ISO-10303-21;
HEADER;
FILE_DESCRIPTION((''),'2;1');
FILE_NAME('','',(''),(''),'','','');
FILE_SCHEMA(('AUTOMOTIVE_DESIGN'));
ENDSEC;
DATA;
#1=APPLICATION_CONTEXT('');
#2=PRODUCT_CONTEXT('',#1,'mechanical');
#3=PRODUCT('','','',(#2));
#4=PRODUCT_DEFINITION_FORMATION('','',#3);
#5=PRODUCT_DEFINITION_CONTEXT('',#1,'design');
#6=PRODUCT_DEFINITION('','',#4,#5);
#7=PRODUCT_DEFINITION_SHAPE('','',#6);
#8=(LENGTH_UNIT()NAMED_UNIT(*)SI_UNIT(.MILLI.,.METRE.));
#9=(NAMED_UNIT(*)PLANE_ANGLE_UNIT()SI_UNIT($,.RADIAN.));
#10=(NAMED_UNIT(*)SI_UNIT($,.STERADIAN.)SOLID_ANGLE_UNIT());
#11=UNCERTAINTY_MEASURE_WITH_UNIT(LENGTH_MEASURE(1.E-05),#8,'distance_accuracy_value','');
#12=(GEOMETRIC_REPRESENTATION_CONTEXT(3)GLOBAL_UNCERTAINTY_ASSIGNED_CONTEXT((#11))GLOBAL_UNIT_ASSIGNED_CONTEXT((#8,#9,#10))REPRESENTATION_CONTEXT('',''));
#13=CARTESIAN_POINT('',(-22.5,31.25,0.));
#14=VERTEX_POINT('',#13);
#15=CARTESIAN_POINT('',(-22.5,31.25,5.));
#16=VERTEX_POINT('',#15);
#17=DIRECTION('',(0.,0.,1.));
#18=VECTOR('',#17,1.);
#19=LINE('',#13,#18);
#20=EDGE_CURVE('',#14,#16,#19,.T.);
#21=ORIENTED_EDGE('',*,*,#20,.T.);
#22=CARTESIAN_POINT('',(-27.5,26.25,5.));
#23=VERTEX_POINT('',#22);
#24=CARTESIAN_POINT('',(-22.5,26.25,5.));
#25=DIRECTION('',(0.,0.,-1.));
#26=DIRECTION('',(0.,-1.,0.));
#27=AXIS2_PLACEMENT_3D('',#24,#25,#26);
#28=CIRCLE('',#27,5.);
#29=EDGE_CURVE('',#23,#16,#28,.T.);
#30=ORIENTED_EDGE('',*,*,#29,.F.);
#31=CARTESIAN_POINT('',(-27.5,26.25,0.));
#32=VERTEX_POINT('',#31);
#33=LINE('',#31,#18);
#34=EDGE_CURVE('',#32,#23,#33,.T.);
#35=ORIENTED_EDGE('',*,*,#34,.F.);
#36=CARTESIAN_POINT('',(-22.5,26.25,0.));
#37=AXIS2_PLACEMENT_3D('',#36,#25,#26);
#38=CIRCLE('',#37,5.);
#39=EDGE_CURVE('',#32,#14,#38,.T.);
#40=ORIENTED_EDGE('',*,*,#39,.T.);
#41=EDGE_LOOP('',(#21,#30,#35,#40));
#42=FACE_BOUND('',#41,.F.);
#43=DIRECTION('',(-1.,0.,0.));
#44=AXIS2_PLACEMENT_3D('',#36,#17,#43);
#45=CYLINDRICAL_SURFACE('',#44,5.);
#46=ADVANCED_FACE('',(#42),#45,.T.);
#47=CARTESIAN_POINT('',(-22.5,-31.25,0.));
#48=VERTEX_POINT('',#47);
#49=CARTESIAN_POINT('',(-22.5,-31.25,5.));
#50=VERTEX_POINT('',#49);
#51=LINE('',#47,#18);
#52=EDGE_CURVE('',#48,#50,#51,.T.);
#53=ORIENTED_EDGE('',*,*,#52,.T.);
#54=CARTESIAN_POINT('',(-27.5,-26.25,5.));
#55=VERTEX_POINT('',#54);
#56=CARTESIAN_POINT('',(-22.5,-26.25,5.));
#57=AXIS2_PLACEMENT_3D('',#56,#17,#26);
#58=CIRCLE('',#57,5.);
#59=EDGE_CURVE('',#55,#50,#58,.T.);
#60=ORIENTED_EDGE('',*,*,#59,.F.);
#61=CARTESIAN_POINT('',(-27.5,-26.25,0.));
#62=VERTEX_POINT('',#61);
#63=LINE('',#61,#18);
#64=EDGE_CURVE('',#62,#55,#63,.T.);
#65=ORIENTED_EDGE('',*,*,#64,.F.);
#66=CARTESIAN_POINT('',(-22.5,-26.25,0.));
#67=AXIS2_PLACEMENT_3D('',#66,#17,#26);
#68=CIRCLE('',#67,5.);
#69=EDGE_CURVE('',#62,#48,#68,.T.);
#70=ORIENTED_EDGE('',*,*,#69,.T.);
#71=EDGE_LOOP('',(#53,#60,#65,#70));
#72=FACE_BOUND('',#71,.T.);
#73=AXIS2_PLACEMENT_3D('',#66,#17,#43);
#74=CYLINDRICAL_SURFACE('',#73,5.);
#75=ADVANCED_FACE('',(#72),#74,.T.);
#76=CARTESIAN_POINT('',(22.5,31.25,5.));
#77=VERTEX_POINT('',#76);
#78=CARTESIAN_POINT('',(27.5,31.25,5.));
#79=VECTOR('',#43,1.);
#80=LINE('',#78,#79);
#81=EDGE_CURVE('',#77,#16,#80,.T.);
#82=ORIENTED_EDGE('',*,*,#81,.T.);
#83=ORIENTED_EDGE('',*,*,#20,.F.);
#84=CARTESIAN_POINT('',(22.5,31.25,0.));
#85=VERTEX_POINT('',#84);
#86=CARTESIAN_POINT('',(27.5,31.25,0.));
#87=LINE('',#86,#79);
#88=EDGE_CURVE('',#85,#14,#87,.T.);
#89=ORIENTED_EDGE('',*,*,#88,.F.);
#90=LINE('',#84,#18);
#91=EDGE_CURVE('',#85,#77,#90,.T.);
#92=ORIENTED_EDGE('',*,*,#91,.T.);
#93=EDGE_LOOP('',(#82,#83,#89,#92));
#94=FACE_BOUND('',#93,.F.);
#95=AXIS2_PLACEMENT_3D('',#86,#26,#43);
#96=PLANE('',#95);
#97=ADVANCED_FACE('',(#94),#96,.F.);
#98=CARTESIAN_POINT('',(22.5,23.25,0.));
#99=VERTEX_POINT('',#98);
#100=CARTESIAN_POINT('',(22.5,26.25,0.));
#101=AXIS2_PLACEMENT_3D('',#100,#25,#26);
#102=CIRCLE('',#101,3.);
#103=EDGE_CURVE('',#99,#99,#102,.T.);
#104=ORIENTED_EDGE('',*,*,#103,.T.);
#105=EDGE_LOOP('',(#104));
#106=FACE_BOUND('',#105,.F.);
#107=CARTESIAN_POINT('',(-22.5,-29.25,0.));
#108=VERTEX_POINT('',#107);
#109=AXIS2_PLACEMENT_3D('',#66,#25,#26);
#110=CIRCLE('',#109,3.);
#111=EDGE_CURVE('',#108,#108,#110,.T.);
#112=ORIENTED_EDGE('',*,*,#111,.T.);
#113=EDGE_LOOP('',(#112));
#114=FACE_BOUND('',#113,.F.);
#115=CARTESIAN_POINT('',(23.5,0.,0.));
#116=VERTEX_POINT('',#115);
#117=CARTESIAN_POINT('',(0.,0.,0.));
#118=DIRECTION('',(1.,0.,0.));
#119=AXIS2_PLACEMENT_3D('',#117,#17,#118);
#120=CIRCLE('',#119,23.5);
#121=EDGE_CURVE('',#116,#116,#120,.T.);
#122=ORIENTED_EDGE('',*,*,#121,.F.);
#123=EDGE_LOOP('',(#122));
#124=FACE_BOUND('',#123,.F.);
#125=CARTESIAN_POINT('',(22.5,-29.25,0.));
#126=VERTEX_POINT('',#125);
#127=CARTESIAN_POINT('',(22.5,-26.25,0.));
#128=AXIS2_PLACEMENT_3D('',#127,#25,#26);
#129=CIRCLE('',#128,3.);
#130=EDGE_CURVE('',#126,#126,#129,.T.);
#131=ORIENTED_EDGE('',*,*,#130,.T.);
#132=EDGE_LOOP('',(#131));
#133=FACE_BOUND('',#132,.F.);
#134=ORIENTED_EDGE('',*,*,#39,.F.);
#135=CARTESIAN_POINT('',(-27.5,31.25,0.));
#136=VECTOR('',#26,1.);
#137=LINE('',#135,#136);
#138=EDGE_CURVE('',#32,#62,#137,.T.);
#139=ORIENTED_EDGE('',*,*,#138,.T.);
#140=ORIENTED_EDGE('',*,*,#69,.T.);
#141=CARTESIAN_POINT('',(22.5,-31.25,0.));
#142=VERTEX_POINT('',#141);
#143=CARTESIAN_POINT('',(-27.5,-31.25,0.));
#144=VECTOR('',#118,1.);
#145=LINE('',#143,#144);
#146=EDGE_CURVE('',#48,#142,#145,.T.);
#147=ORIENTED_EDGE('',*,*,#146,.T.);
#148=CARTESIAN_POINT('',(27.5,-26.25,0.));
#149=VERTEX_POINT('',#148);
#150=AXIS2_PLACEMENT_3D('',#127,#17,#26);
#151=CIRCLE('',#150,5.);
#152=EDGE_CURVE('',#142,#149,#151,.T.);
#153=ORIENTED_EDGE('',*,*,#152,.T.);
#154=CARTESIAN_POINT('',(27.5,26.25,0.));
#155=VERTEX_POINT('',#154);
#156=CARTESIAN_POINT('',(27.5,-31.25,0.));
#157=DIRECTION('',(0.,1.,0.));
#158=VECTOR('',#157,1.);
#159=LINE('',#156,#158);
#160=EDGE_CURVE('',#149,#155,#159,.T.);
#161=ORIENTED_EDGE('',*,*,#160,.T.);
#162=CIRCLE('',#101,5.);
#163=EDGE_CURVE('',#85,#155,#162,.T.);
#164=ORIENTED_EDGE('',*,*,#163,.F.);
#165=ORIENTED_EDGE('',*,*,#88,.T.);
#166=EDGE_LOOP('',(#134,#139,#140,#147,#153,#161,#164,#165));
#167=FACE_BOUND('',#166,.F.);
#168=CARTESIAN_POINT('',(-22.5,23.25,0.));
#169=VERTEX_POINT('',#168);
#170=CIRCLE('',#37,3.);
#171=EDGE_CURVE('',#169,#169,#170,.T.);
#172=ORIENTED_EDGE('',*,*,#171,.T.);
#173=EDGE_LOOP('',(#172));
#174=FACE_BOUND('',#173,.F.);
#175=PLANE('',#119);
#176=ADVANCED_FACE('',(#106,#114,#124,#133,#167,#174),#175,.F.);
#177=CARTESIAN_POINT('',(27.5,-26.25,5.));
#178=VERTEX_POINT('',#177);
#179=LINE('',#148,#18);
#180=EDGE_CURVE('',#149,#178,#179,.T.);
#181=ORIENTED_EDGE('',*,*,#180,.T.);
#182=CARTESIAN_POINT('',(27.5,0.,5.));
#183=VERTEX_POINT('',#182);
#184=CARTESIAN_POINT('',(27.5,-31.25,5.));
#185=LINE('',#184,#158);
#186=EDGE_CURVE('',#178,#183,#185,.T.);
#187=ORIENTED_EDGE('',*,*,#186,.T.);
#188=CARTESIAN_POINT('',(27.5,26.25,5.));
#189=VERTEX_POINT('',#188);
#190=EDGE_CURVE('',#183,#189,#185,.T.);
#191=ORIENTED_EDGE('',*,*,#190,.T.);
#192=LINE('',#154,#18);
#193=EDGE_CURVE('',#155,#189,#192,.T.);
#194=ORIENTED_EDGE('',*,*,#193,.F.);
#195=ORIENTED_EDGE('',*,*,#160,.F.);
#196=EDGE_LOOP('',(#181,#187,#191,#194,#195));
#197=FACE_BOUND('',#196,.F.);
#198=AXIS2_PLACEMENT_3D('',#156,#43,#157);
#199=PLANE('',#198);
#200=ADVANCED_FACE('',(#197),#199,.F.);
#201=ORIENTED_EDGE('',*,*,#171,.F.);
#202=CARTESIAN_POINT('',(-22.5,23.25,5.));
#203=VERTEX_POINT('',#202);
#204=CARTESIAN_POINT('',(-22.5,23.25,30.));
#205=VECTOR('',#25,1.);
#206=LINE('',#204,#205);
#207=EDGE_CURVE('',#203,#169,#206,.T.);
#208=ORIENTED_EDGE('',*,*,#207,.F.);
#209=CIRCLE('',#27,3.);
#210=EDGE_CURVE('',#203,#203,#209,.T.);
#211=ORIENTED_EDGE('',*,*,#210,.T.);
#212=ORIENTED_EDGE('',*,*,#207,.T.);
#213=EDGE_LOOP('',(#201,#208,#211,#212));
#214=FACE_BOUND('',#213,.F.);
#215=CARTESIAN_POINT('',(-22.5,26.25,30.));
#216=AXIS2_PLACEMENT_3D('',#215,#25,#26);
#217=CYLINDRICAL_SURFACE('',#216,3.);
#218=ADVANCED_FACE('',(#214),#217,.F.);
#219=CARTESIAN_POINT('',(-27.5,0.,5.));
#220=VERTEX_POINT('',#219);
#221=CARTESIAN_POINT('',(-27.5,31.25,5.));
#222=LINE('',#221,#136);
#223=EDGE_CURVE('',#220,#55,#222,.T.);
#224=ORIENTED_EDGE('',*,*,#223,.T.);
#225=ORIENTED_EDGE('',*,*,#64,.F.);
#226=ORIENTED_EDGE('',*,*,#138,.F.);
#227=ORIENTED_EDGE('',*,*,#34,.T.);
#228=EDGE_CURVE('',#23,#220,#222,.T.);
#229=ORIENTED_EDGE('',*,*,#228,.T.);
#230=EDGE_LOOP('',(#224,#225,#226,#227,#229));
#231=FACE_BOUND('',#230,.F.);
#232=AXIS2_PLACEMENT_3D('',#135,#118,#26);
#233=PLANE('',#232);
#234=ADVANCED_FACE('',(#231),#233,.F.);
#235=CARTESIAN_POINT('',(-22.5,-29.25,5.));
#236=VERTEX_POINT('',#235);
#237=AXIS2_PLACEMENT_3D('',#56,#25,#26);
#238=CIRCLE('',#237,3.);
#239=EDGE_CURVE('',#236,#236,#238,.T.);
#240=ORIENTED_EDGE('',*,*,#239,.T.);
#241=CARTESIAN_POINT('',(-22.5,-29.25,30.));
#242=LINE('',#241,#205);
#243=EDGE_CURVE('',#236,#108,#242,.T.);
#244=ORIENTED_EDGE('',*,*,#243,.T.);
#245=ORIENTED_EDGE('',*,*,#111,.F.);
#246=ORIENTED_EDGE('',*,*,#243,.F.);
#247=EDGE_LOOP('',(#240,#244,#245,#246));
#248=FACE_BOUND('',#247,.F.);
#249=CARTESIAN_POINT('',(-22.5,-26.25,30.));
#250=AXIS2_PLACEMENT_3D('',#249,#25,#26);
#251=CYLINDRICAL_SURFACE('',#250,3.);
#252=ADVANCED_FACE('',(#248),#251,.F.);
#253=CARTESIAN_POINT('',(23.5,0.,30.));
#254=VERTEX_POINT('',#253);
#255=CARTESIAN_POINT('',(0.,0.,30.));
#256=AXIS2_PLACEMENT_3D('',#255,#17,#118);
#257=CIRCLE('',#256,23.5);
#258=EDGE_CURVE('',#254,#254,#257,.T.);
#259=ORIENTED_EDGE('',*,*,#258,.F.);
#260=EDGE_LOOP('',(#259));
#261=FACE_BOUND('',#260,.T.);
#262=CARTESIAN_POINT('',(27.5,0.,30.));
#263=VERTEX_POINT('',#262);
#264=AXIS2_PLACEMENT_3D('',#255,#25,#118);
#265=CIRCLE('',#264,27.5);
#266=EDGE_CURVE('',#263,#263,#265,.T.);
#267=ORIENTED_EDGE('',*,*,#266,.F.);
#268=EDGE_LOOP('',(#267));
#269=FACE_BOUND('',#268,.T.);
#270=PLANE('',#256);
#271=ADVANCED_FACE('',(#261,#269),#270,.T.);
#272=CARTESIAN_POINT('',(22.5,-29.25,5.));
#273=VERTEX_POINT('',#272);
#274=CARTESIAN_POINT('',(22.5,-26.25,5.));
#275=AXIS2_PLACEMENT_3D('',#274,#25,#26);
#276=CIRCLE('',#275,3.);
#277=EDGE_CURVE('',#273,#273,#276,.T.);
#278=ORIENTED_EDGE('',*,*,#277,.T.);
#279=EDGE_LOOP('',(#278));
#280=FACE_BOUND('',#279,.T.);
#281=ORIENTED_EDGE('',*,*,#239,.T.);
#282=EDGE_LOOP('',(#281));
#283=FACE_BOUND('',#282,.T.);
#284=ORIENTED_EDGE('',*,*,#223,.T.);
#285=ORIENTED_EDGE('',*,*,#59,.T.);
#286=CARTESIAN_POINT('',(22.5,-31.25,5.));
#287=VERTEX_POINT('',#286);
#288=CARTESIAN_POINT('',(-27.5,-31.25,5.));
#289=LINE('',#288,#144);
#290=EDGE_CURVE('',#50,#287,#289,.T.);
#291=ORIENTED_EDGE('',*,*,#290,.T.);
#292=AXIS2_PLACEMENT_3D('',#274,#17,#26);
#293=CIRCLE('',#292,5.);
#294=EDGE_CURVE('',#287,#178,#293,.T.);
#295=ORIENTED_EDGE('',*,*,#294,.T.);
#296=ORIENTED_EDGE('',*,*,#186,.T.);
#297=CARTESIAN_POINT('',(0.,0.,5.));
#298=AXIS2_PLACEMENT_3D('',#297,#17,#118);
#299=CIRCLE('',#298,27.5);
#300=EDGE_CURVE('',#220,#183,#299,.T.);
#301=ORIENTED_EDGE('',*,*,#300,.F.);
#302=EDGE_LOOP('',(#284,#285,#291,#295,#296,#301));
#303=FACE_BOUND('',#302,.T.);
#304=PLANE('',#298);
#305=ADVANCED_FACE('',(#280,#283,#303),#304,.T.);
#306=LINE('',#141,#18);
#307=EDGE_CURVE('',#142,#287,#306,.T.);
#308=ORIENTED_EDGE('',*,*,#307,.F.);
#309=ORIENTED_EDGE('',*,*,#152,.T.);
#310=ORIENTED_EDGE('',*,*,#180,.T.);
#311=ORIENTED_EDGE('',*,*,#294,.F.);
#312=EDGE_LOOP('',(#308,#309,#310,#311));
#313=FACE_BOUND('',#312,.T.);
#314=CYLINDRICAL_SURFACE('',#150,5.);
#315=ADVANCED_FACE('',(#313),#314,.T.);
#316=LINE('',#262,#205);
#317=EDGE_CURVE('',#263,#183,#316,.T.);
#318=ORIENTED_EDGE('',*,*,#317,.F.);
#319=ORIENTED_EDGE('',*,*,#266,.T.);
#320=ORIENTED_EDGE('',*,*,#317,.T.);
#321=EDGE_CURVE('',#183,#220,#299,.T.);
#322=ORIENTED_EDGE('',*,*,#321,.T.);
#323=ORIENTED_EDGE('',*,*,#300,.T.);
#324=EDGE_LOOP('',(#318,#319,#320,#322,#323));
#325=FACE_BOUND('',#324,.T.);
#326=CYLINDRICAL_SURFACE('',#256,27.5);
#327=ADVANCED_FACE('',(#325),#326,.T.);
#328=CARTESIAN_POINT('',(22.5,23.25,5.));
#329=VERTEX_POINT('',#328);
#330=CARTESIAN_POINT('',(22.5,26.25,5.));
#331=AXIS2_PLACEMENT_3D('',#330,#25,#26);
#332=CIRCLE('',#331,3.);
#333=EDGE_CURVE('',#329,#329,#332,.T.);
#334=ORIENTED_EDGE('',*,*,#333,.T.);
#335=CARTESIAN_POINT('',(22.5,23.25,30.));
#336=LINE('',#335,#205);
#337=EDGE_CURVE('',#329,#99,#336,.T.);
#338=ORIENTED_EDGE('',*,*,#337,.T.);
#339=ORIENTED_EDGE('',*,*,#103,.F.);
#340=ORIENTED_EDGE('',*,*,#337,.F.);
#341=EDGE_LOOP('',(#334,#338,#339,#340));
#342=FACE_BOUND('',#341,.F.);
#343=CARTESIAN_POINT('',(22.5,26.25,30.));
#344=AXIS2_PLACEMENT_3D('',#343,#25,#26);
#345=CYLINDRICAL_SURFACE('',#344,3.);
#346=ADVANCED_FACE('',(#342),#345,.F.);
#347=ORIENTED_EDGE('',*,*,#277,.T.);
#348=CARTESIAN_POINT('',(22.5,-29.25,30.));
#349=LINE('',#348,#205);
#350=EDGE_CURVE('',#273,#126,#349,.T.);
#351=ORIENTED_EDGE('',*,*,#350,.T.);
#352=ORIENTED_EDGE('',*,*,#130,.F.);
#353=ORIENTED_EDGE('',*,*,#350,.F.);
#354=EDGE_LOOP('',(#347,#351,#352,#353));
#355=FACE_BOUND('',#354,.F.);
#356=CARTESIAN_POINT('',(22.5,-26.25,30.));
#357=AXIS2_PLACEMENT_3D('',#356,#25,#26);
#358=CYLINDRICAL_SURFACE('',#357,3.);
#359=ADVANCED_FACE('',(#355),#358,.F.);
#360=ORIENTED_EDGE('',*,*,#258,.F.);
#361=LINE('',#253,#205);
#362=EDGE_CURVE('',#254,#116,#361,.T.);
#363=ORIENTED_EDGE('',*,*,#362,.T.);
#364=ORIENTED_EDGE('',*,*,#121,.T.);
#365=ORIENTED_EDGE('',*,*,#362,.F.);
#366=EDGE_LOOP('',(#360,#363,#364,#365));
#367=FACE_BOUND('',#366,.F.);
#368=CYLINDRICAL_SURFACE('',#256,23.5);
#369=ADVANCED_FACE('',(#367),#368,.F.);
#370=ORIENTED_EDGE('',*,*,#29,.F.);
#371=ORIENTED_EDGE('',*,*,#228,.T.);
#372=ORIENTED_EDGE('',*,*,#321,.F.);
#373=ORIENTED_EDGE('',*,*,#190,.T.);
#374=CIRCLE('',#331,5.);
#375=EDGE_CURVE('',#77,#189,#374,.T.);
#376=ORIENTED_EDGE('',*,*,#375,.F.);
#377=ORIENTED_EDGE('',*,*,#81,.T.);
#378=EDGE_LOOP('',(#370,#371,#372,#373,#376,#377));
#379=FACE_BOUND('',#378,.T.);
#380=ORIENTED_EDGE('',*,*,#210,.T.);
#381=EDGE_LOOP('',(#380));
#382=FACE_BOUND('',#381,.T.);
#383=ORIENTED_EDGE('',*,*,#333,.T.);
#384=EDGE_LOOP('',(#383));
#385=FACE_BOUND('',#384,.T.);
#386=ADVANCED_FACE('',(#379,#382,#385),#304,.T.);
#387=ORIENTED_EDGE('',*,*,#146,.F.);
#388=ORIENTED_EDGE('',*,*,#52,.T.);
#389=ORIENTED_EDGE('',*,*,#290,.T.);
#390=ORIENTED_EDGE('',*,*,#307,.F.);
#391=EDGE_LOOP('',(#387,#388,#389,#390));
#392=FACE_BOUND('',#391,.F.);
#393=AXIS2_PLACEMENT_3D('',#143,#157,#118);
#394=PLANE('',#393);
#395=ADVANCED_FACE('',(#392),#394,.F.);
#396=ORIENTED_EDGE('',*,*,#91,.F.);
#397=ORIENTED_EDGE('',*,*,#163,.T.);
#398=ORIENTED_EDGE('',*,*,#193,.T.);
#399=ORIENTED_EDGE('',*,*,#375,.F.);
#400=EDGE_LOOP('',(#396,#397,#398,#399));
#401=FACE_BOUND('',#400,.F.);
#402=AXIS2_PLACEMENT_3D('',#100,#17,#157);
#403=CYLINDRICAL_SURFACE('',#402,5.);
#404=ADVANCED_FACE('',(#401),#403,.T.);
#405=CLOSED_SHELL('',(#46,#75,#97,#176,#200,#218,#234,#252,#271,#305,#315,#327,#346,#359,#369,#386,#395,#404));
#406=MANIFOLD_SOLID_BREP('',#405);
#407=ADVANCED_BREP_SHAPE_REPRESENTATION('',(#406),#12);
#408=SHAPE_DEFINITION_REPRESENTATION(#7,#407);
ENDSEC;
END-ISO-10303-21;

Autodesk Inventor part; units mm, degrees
ref_plane "YZ Plane" through (0, 0, 0) normal (1, 0, 0) x (0, 1, 0)
ref_plane "XZ Plane" through (0, 0, 0) normal (0, 1, 0) x (-1, 0, 0)
ref_plane "XY Plane" through (0, 0, 0) normal (0, 0, 1) x (1, 0, 0)
sketch "Skizze1" plane through (0, 0, 0) normal (0, 0, 1) x (1, 0, 0)
  line L0 (-27.5, -31.25) -> (27.5, -31.25)
  line L1 (27.5, -31.25) -> (27.5, 31.25)
  line L2 (27.5, 31.25) -> (-27.5, 31.25)
  line L3 (-27.5, 31.25) -> (-27.5, -31.25)
  point P0 (0, 0)
  point P1 (-27.5, 0)
  point P2 (0, -31.25)
  dimension "d5" = 55
  dimension "d6" = 62.5
extrude "Extrusion1" add sketch "Skizze1" along normal blind 30
sketch "Skizze2" plane through (0, 0, 30) normal (0, 0, 1) x (1, 0, 0)
  line L0 (-22.5, -26.25) -> (22.5, -26.25)
  line L1 (22.5, -26.25) -> (22.5, 26.25)
  line L2 (22.5, 26.25) -> (-22.5, 26.25)
  line L3 (-22.5, 26.25) -> (-22.5, -26.25)
  point P0 (0, 0)
  point P1 (0, 26.25)
  point P2 (-22.5, 0)
  dimension "d3" = 45
  dimension "d4" = 52.5
hole "Bohrung1" at (-22.5, 26.25, 30) at (-22.5, -26.25, 30) at (22.5, -26.25, 30) at (22.5, 26.25, 30) direction (0, 0, -1) diameter 6 end through all
sketch "Skizze3" plane through (0, 0, 30) normal (0, 0, 1) x (1, 0, 0)
  circle A0 centre (0, 0) radius 27.5
  circle A1 centre (22.5, -26.25) radius 3 projected
  circle A2 centre (-22.5, 26.25) radius 3 projected
  circle A3 centre (-22.5, -26.25) radius 3 projected
  circle A4 centre (22.5, 26.25) radius 3 projected
  line L0 (-27.5, -31.25) -> (27.5, -31.25) projected
  line L1 (27.5, -31.25) -> (27.5, 31.25) projected
  line L2 (27.5, 31.25) -> (-27.5, 31.25) projected
  line L3 (-27.5, 31.25) -> (-27.5, -31.25) projected
  dimension "d14" = 55
extrude "Extrusion2" cut sketch "Skizze3" against normal blind 25 contours L1 L0 L3 A0 | A0 L3 L2 L1
sketch "Skizze4" plane through (0, 0, 30) normal (0, 0, 1) x (1, 0, 0)
  circle A0 centre (0, 0) radius 23.5
  dimension "d17" = 47
extrude "Extrusion3" cut sketch "Skizze4" against normal through all
fillet "Rundung1" radius 5 4 edges at (-27.5, -31.25, 2.5) (27.5, -31.25, 2.5) (27.5, 31.25, 2.5) (-27.5, 31.25, 2.5)
properties part number "Rohrhalterung"
